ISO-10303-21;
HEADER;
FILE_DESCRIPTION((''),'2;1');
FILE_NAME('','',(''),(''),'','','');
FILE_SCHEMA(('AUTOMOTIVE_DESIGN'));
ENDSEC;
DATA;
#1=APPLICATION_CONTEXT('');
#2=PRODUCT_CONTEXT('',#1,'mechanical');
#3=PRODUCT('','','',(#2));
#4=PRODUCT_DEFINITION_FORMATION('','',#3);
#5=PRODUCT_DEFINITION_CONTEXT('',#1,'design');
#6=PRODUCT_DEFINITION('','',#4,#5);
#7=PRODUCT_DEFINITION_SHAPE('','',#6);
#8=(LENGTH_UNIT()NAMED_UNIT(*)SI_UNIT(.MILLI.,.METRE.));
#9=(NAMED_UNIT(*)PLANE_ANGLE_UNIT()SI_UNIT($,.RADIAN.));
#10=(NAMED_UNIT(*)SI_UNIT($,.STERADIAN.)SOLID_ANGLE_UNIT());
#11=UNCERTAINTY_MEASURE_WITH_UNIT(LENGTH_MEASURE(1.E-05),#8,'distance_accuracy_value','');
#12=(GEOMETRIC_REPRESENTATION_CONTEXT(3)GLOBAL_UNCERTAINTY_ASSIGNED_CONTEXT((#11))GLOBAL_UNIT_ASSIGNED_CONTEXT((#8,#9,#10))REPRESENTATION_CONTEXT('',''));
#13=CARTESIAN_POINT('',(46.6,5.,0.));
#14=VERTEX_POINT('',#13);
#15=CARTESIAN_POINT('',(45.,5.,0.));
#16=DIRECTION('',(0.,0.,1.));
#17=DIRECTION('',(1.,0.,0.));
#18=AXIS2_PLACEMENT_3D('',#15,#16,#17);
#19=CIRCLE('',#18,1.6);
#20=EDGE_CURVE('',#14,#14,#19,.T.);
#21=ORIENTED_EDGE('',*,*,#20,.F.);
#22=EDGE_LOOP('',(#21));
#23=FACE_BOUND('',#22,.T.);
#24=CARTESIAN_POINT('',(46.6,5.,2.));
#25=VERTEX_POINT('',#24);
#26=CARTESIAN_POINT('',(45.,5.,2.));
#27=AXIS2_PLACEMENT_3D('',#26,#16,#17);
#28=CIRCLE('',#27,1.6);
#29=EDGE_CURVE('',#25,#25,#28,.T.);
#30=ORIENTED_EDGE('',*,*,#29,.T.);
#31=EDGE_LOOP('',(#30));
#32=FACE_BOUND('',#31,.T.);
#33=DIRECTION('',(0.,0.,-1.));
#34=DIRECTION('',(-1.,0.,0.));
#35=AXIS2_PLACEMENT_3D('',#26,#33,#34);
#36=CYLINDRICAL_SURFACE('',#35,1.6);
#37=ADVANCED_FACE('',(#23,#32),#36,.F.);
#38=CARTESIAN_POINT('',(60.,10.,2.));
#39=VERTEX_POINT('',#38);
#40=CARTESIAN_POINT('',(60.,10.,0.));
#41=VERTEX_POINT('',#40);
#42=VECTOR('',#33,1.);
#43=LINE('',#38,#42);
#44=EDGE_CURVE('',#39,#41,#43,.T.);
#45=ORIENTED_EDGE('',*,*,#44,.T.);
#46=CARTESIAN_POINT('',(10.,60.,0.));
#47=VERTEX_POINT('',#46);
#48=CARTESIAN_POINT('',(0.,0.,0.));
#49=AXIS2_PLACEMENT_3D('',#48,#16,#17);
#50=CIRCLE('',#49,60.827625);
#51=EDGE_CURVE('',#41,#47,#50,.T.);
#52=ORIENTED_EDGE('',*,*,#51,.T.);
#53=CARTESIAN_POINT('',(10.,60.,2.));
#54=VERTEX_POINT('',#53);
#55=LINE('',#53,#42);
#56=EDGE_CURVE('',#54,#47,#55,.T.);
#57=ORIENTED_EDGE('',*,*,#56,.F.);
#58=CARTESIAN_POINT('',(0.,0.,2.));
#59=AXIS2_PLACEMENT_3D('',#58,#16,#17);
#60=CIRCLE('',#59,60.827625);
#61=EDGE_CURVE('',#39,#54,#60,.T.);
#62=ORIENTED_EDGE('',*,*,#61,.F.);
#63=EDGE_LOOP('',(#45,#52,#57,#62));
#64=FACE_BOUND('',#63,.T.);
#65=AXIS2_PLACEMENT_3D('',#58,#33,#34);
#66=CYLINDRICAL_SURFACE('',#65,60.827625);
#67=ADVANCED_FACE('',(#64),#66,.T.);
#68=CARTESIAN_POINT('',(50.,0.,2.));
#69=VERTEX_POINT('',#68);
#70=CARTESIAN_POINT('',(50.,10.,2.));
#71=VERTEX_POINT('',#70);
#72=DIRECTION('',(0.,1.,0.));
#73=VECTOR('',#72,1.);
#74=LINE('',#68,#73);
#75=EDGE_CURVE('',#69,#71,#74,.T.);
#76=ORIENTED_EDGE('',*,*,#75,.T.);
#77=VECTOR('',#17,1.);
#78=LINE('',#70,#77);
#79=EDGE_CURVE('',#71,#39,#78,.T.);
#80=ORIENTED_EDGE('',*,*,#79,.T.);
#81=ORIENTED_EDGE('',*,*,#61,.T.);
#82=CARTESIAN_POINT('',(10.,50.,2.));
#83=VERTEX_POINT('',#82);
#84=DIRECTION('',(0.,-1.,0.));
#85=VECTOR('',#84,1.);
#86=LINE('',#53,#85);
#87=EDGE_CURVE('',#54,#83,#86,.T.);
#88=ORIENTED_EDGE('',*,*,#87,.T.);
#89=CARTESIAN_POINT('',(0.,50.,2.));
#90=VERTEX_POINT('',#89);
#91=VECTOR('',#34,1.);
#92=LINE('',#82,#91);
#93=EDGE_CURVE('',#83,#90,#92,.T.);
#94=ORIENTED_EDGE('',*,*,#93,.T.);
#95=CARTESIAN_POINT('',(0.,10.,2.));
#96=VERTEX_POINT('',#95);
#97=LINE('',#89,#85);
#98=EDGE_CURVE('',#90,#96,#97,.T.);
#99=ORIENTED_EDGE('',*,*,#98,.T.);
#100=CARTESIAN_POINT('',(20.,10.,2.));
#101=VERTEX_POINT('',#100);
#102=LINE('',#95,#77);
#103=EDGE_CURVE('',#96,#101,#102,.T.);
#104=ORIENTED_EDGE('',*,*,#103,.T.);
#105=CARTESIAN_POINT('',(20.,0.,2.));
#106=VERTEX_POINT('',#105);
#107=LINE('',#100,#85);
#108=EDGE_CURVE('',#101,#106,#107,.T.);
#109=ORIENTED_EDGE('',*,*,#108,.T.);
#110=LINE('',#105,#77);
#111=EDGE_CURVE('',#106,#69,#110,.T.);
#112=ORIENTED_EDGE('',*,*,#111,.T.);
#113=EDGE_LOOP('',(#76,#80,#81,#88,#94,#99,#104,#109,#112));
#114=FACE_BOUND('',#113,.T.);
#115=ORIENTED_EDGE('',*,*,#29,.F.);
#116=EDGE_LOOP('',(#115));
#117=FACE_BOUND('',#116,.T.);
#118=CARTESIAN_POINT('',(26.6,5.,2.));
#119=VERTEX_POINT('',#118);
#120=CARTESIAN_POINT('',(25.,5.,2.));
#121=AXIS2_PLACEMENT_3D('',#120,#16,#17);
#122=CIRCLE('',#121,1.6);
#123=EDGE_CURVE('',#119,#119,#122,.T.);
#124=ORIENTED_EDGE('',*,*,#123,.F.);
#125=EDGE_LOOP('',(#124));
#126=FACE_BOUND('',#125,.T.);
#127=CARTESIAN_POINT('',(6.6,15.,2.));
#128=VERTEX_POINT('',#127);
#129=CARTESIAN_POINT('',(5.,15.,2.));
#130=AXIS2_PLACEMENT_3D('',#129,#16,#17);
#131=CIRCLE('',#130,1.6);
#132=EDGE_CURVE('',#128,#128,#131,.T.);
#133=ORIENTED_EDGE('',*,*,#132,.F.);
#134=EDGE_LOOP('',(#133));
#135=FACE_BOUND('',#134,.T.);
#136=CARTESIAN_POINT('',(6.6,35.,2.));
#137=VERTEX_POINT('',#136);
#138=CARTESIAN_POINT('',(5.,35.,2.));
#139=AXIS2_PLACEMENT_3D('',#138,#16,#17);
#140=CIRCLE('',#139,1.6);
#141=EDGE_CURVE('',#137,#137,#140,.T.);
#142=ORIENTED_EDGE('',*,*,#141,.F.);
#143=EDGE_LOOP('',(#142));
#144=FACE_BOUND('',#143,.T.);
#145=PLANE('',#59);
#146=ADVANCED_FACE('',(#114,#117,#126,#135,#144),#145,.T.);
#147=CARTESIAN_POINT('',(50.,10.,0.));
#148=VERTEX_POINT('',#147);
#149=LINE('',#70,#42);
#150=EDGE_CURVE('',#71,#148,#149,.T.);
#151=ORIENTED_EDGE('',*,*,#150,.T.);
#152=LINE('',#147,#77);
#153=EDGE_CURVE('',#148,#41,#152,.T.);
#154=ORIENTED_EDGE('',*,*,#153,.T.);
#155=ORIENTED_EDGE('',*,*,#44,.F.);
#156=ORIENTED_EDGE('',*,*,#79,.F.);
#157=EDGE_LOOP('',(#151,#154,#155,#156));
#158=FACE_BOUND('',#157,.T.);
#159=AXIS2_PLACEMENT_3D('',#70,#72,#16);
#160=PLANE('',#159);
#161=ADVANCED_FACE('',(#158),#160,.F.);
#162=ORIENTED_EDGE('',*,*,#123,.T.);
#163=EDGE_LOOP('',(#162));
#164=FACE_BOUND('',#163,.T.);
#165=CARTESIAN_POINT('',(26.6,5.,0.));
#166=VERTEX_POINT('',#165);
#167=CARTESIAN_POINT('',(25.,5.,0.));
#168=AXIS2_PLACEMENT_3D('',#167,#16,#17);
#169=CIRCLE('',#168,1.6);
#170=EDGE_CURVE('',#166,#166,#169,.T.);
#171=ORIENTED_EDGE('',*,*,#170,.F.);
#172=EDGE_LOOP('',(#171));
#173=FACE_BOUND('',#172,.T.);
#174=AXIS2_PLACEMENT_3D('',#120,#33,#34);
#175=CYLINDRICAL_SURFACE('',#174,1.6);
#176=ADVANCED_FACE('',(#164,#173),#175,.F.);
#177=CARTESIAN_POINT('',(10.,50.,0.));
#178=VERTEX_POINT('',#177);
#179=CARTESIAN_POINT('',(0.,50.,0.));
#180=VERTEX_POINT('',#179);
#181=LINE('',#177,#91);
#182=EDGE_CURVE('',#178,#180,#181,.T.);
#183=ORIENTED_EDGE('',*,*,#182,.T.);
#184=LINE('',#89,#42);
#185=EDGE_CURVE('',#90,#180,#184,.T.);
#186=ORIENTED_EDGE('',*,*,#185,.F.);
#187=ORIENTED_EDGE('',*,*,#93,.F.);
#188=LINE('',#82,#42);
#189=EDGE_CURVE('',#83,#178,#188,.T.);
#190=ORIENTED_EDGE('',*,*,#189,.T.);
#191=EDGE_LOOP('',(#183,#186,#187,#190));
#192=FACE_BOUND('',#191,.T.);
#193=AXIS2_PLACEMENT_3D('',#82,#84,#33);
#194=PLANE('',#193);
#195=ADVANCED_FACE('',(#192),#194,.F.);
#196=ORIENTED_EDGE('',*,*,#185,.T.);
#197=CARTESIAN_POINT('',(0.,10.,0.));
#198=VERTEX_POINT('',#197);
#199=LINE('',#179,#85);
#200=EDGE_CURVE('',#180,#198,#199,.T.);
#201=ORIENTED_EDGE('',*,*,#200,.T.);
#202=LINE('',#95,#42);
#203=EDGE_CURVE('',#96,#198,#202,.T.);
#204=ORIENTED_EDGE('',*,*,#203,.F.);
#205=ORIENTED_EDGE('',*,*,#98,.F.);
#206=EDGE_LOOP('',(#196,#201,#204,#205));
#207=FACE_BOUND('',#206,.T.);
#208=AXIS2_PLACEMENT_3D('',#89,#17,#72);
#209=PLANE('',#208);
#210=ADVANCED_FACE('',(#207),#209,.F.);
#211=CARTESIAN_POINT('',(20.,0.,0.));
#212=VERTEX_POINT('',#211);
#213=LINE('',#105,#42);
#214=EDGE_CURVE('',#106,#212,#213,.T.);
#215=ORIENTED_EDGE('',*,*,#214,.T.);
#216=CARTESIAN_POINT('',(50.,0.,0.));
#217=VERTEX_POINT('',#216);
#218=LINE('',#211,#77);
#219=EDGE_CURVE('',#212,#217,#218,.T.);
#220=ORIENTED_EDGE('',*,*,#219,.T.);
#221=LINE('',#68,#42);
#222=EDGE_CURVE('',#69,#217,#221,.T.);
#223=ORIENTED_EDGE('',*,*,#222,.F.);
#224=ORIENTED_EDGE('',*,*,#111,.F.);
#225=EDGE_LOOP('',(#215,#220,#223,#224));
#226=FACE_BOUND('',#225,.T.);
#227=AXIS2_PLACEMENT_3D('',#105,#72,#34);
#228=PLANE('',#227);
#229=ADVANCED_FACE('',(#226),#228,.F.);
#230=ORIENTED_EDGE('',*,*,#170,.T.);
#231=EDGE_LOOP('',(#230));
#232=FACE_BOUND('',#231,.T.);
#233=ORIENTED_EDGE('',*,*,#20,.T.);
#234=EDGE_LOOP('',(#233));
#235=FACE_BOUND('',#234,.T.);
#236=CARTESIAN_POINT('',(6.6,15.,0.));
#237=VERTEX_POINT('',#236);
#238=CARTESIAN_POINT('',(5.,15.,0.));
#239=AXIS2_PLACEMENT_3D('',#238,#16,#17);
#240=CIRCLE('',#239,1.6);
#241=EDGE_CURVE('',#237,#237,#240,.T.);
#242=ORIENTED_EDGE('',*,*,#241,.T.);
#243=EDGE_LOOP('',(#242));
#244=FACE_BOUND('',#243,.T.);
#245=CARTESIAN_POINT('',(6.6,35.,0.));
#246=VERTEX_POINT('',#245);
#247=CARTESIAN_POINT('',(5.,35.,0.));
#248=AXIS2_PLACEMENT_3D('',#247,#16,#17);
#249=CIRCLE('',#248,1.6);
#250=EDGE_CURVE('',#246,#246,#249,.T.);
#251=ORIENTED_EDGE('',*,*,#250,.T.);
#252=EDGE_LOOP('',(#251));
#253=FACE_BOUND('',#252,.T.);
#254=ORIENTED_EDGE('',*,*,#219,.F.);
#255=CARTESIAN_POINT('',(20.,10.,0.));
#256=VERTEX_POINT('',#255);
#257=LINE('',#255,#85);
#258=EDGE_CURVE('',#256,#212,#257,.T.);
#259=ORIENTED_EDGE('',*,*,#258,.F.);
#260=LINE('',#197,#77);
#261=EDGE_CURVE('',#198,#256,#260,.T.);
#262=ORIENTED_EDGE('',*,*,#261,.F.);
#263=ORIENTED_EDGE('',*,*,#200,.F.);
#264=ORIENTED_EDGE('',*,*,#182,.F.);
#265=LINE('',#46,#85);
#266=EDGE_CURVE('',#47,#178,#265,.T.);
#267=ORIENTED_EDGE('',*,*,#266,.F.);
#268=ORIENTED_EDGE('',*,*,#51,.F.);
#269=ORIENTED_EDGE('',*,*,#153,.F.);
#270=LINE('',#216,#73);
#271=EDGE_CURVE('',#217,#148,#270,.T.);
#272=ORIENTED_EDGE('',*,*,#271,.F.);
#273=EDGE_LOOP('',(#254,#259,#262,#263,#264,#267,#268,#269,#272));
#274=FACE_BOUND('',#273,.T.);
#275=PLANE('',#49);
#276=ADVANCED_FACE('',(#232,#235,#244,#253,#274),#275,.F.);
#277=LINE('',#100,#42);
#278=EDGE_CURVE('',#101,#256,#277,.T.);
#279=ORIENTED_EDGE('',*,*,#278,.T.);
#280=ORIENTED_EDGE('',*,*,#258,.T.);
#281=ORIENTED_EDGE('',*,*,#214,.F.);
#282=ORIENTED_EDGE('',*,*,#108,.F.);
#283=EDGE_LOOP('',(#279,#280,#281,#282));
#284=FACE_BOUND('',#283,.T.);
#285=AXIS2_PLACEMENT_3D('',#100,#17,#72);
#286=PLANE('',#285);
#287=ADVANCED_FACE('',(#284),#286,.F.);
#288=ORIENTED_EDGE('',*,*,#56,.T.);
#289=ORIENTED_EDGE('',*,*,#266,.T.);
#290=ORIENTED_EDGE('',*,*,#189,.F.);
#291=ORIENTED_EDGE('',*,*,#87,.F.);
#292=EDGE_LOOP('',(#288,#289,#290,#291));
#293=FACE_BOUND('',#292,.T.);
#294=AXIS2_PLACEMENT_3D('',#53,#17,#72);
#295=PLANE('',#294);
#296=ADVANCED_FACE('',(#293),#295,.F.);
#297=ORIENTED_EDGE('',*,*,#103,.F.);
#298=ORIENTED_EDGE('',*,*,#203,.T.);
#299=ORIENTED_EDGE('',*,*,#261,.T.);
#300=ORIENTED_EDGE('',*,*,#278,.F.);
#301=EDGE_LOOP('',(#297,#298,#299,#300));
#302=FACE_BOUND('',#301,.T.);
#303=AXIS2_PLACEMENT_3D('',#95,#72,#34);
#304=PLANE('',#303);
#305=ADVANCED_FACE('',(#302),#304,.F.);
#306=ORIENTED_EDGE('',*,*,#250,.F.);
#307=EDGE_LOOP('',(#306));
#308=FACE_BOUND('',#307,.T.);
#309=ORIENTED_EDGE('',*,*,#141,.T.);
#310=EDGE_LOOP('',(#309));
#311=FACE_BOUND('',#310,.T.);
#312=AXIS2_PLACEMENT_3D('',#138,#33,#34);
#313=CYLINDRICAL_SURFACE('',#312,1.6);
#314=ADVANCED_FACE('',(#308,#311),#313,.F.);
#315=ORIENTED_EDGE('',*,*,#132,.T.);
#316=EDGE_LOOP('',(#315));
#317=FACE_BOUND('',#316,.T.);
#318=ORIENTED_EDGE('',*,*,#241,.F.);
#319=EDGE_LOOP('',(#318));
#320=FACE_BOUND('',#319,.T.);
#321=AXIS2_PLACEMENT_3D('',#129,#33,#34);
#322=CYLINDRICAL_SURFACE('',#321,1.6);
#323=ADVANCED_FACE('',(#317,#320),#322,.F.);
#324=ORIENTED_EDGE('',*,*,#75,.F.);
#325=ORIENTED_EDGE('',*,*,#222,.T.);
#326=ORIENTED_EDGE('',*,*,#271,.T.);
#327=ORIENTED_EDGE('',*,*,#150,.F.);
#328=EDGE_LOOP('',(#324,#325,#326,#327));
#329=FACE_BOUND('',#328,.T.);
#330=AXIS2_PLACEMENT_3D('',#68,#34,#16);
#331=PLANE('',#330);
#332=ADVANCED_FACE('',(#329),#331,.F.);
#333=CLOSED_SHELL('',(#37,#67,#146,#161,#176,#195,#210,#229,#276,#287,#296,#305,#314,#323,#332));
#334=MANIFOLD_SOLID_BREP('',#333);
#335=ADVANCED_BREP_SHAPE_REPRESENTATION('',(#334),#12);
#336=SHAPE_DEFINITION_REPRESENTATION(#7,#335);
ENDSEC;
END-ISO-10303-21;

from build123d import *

# Parameters (mm, degrees)
SKETCH_1_R      = 1.6
EXTRUDE_1_DEPTH = 2


with BuildPart() as part:
    # ｽｹｯﾁ1 → ﾎﾞｽ - 押し出し1 (new body)
    with BuildSketch(Plane.XY):
        with BuildLine():
            Line((20, 0), (50, 0))
            Line((50, 0), (50, 10))
            Line((50, 10), (60, 10))
            ThreePointArc((60, 10), (43.011626335, 43.011626335), (10, 60))
            Line((10, 60), (10, 50))
            Line((10, 50), (0, 50))
            Line((0, 50), (0, 10))
            Line((0, 10), (20, 10))
            Line((20, 10), (20, 0))
        make_face()
        with Locations((5, 35)):
            Circle(SKETCH_1_R, mode=Mode.SUBTRACT)
        with Locations((5, 15)):
            Circle(SKETCH_1_R, mode=Mode.SUBTRACT)
        with Locations((25, 5)):
            Circle(SKETCH_1_R, mode=Mode.SUBTRACT)
        with Locations((45, 5)):
            Circle(SKETCH_1_R, mode=Mode.SUBTRACT)
    extrude(amount=EXTRUDE_1_DEPTH)


solid = part.part
